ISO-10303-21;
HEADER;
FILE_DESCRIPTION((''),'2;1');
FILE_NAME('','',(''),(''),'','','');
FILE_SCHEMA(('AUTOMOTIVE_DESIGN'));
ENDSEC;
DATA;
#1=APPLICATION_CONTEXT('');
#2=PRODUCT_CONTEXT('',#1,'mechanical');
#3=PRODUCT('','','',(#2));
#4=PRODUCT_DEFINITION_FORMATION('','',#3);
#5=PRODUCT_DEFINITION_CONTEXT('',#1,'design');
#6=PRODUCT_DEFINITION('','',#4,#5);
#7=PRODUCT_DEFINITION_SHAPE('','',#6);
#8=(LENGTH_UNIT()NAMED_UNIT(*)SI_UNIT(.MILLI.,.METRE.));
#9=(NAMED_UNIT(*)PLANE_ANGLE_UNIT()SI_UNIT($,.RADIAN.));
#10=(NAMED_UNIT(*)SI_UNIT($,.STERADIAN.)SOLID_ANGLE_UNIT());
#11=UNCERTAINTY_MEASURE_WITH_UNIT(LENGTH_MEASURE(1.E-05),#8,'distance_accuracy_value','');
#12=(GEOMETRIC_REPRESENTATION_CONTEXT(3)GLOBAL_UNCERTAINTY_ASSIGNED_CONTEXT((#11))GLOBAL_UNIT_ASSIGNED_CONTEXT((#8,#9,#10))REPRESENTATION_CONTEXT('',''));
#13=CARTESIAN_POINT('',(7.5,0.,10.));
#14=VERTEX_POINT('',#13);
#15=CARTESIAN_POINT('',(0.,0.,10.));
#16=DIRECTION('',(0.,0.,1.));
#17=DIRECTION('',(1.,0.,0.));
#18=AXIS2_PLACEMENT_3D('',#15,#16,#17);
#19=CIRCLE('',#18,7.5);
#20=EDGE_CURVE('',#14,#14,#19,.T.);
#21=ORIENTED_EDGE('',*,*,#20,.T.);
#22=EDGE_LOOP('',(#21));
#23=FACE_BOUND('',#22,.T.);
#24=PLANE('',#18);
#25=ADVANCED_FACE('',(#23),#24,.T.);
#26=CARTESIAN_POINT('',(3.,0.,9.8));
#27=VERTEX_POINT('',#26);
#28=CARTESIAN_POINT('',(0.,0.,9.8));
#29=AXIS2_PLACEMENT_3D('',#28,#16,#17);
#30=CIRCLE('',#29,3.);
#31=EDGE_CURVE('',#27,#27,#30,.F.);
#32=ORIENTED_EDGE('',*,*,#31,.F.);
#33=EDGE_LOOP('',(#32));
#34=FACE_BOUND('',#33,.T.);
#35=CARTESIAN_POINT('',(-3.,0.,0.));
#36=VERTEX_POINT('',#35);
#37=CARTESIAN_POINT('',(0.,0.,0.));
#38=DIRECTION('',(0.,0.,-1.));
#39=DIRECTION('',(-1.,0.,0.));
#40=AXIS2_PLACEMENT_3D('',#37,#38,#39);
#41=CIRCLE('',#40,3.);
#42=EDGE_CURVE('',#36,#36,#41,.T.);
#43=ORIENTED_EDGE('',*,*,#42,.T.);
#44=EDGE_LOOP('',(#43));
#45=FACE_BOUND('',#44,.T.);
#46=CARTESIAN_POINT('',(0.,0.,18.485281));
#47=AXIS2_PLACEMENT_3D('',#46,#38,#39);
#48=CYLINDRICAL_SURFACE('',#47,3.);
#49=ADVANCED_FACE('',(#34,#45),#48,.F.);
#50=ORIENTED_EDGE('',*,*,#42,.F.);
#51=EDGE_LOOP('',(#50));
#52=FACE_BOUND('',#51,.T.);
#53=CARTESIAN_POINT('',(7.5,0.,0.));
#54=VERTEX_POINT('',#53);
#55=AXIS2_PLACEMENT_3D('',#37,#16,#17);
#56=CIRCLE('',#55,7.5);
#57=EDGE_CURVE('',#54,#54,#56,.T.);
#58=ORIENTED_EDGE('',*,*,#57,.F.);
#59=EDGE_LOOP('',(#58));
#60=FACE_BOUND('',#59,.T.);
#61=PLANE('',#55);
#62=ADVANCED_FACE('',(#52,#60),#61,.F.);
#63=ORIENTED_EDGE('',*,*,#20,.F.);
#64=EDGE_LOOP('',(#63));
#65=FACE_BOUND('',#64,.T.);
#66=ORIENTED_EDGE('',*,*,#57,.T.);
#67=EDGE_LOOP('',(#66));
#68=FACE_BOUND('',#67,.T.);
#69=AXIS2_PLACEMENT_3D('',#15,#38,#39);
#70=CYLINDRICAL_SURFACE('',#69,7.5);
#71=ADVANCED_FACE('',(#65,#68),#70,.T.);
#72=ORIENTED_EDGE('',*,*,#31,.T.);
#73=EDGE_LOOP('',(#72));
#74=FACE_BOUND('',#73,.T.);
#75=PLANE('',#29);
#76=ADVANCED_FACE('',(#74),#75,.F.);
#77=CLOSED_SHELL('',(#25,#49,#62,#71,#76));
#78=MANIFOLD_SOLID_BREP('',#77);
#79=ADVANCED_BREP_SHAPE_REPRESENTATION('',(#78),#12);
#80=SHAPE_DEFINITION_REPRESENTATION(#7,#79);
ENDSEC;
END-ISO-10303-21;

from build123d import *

# Parameters (mm, degrees)
SKETCH2_R           = 7.5
BOSS_EXTRUDE1_DEPTH = 10
SKETCH3_R           = 3
CUT_EXTRUDE1_DEPTH  = 9.8


with BuildPart() as part:
    # Sketch2 → Boss-Extrude1 (new body)
    with BuildSketch(Plane.XY):
        Circle(SKETCH2_R)
    extrude(amount=BOSS_EXTRUDE1_DEPTH)

    # Sketch3 → Cut-Extrude1 (cut)
    with BuildSketch(Plane(origin=(0, 0, 0), x_dir=(-1, 0, 0), z_dir=(0, 0, -1))):
        Circle(SKETCH3_R)
    extrude(amount=-CUT_EXTRUDE1_DEPTH, mode=Mode.SUBTRACT)


solid = part.part
